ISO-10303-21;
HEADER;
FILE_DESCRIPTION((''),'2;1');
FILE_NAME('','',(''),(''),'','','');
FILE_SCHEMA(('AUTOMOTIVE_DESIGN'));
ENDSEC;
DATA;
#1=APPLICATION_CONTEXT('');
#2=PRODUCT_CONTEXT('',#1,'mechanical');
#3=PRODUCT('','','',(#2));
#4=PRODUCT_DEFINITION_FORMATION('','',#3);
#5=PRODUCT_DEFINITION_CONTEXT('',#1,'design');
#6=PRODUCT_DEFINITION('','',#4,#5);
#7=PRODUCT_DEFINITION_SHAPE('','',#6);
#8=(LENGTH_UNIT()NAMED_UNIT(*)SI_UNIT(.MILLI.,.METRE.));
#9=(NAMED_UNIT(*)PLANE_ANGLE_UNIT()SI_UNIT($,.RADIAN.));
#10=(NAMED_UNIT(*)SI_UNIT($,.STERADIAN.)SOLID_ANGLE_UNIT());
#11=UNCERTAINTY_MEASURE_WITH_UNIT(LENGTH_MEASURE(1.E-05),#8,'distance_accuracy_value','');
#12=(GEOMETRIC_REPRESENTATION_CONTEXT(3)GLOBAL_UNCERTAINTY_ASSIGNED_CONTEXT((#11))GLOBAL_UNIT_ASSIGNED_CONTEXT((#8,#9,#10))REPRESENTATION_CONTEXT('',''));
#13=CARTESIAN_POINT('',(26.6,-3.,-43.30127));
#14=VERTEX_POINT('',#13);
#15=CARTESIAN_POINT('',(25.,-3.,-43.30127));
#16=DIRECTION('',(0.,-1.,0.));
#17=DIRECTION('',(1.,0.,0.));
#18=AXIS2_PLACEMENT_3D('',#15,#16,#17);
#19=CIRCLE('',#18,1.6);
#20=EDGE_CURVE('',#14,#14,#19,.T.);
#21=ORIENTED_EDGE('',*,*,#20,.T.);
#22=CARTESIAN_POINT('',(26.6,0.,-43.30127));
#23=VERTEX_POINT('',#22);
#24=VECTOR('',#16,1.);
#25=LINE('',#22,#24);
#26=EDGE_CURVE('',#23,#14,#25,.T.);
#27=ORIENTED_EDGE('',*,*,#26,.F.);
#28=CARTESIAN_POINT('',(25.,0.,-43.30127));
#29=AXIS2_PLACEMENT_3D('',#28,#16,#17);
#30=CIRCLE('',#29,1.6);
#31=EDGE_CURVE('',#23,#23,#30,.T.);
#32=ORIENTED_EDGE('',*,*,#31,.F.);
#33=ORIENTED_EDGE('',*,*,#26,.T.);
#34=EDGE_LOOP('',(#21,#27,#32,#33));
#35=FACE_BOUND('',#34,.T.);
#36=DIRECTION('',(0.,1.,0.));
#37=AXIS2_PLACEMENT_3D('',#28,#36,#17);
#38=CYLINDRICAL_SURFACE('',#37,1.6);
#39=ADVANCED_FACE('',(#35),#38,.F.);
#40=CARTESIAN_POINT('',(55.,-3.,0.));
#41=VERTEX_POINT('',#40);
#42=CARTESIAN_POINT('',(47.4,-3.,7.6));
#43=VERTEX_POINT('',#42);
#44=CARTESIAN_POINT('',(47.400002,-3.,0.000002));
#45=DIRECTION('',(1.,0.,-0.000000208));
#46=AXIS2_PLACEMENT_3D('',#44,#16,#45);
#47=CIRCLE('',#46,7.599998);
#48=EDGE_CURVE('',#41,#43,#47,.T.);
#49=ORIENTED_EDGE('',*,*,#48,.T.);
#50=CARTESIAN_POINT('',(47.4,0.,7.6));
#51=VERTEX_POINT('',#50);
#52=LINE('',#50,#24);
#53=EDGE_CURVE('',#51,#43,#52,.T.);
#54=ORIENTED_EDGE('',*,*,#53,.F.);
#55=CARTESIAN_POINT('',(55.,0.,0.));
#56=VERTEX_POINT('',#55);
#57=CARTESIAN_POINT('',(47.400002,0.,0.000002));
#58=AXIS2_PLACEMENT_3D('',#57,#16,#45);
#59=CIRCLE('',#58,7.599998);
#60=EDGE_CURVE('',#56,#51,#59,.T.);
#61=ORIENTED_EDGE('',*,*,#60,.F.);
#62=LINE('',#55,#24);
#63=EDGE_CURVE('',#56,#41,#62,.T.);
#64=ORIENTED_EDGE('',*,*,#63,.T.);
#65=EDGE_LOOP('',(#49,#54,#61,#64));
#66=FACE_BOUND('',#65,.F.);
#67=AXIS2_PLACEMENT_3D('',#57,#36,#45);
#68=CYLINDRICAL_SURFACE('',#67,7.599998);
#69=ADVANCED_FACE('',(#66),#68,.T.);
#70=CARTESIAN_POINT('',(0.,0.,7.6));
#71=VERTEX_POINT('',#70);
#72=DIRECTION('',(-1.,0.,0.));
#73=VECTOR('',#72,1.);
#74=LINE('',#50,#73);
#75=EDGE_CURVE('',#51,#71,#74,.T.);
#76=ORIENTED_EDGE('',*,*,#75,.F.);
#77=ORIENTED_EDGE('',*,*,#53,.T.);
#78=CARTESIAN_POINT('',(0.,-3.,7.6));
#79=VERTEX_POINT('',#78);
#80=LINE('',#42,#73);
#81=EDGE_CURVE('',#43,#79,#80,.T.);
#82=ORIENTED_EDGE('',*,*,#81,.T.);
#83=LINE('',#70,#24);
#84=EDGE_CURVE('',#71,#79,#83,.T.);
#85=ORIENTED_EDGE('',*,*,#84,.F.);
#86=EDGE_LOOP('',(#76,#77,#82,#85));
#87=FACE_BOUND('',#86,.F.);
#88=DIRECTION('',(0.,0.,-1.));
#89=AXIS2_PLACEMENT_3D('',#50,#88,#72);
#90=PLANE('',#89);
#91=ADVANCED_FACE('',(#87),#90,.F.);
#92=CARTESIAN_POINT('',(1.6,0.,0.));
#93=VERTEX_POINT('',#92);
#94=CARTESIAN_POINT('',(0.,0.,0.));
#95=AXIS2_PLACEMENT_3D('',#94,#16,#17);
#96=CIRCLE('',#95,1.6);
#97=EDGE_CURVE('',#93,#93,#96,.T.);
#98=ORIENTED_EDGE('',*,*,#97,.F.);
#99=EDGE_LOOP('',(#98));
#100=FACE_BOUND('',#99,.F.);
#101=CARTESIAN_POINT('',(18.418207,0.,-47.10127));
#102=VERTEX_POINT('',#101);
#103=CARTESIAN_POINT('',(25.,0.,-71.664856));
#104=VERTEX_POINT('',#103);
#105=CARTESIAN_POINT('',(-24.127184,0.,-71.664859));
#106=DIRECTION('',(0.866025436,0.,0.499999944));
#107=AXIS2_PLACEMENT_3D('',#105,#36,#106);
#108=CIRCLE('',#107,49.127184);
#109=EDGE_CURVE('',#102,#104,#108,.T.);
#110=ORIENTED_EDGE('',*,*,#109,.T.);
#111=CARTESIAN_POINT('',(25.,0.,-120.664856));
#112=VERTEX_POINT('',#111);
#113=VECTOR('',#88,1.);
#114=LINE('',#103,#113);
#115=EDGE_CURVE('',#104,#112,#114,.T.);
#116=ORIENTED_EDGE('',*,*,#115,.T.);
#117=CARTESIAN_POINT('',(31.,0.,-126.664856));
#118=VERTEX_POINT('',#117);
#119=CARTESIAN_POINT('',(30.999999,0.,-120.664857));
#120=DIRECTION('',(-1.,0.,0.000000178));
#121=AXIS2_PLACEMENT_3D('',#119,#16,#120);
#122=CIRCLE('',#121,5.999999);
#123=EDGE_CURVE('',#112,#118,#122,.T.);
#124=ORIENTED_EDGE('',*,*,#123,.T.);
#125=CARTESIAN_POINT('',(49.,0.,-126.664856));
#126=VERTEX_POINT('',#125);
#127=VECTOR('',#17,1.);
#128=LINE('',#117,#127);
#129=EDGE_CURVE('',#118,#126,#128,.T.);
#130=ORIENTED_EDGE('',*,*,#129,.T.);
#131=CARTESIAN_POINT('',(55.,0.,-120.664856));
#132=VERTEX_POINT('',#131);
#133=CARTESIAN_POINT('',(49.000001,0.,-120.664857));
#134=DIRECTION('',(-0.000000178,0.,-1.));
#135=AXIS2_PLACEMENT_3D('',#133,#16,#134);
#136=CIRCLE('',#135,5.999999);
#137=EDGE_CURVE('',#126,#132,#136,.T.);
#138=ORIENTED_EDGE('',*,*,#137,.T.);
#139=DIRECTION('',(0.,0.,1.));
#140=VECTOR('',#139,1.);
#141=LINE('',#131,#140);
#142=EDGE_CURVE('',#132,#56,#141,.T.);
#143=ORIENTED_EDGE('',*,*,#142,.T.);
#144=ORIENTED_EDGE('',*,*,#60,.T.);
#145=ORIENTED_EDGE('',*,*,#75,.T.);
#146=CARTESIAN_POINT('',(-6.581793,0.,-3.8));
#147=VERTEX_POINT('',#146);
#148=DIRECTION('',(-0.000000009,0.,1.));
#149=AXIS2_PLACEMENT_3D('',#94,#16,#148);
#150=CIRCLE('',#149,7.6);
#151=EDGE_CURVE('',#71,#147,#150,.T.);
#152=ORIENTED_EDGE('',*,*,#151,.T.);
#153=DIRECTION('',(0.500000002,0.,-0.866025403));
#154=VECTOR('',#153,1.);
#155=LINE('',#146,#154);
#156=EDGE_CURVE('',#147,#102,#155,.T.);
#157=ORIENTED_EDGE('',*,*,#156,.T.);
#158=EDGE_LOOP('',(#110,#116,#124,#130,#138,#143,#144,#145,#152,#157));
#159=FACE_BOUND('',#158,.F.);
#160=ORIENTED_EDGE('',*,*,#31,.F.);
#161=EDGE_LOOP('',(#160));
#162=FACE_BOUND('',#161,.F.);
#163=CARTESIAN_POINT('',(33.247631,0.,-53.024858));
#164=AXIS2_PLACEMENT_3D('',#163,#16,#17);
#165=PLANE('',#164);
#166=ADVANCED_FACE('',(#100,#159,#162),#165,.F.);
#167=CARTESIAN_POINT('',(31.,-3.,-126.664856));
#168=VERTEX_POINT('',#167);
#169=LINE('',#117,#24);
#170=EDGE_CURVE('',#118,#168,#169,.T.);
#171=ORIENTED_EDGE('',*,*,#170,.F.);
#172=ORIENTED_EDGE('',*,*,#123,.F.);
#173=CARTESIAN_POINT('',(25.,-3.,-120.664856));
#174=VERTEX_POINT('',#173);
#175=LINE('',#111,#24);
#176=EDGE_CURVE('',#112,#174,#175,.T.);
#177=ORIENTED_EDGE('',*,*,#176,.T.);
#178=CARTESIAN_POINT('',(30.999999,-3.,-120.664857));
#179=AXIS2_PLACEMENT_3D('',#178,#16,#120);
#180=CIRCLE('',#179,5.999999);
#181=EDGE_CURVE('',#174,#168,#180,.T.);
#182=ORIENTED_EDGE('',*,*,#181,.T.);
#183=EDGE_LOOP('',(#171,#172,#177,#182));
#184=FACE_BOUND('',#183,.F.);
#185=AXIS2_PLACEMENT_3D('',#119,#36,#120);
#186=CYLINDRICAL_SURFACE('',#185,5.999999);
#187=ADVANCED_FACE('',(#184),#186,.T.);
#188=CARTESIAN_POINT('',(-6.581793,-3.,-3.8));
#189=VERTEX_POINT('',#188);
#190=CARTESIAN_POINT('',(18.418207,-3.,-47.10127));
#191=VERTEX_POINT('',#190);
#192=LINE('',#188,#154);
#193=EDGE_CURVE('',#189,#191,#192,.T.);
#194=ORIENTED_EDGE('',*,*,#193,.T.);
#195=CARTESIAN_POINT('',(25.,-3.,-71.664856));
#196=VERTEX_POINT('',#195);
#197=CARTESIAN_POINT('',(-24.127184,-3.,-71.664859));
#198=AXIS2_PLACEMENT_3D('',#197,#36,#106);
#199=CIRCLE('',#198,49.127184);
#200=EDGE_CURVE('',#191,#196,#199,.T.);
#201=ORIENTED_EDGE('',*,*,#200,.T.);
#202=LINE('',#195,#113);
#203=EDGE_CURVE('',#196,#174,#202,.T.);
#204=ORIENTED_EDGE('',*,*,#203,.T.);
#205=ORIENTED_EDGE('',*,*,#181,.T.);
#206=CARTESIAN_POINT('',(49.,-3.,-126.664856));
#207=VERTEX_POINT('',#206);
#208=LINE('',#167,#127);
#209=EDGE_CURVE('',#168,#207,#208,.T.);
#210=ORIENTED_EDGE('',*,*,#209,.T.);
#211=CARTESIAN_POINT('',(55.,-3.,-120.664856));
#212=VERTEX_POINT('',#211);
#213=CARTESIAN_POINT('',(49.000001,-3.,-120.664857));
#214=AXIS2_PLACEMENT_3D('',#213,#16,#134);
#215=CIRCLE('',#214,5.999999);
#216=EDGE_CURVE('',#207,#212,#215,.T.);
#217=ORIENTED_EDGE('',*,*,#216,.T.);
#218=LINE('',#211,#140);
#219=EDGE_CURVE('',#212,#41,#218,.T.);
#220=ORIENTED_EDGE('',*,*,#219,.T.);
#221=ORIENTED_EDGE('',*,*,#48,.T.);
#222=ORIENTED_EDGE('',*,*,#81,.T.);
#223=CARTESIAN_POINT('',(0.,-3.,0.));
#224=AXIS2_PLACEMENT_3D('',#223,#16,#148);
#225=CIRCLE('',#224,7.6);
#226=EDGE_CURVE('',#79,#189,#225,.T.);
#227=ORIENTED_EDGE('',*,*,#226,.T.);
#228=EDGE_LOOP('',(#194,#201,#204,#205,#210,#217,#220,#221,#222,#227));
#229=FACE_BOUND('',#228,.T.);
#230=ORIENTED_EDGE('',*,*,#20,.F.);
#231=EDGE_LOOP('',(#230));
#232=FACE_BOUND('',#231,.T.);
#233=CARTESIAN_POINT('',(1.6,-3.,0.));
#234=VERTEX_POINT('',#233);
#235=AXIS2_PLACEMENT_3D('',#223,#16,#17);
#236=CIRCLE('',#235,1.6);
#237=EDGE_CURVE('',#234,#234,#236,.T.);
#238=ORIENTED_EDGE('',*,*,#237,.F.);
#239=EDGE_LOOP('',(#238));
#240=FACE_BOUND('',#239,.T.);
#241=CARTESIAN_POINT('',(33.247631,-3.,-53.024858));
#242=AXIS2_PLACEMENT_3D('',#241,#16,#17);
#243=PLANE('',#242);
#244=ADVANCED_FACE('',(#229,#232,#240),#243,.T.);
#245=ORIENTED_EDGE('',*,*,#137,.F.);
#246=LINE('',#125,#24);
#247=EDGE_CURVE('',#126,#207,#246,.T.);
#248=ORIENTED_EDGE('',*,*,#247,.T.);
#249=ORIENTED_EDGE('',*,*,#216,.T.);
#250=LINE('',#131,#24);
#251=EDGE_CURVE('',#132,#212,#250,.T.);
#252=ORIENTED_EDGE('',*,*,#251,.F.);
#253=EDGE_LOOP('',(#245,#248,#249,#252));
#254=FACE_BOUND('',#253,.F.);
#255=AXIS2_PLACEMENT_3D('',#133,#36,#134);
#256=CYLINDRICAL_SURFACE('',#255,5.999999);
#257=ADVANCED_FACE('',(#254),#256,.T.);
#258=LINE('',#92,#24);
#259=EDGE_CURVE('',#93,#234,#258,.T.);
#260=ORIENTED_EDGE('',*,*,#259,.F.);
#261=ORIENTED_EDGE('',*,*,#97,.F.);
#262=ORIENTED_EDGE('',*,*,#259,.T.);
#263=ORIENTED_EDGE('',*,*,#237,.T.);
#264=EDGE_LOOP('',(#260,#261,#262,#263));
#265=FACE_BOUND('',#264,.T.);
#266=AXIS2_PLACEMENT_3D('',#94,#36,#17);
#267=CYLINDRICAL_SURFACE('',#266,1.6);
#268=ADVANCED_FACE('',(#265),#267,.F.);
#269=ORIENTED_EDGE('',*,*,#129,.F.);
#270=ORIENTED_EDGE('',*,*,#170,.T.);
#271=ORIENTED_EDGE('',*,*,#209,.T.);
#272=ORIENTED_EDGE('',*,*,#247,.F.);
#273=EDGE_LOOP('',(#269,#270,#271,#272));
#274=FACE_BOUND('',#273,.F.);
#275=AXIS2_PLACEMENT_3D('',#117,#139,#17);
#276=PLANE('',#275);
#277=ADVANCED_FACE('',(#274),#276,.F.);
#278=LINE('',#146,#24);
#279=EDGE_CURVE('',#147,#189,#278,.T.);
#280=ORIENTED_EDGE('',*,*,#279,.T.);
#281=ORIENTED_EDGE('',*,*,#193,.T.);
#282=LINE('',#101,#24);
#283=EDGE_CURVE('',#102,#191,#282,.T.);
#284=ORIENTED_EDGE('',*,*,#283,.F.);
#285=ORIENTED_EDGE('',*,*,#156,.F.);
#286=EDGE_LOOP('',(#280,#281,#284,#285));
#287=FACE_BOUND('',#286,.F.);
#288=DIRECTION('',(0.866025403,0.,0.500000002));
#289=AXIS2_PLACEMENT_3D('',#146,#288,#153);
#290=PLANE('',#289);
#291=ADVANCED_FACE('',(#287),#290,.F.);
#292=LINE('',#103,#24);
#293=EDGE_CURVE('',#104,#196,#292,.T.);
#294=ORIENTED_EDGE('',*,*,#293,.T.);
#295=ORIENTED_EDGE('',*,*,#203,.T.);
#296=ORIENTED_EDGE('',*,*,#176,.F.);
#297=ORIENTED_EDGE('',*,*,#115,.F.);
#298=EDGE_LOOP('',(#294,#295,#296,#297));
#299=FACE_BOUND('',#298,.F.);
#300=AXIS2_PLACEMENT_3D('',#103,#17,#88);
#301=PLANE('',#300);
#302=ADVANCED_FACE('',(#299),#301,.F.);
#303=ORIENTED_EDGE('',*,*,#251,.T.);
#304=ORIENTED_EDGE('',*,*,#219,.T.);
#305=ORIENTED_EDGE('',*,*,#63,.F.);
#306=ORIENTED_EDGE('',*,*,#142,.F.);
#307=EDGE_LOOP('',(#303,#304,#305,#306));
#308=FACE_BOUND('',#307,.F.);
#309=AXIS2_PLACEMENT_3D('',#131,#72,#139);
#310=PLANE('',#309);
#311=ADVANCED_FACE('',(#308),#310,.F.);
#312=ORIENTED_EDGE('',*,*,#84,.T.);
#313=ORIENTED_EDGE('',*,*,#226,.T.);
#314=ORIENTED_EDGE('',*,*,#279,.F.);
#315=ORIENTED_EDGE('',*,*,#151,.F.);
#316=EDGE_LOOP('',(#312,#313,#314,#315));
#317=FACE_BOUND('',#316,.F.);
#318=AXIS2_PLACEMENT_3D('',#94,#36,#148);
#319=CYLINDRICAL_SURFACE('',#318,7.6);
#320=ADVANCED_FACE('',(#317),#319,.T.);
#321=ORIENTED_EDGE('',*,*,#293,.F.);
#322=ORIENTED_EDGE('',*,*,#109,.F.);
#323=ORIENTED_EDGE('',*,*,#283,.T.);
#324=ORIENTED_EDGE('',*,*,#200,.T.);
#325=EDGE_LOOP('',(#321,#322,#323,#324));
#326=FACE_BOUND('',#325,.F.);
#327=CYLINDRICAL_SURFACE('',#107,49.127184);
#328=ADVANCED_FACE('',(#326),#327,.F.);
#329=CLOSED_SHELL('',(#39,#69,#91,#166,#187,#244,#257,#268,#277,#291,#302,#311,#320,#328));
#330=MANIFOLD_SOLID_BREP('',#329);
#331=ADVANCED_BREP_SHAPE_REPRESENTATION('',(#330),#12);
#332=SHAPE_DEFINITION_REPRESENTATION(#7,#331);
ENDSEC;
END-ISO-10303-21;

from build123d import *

# Parameters (mm, degrees)
F0_R     = 1.6
F1_DEPTH = 3


with BuildPart() as f1:
    # F0 (on Front) → F1 (new body)
    with BuildSketch(Plane.XZ):
        with BuildLine():
            Line((47.4, 7.6), (0, 7.6))
            ThreePointArc((0, 7.6), (-6.581793, 3.8), (-6.581793, -3.8))
            Line((-6.581793, -3.8), (18.418207, -47.10127))
            ThreePointArc((18.418207, -47.10127), (23.326032, -58.949809), (25, -71.664856))
            Line((25, -71.664856), (25, -120.664856))
            ThreePointArc((25, -120.664856), (26.757359, -124.907497), (31, -126.664856))
            Line((31, -126.664856), (49, -126.664856))
            ThreePointArc((49, -126.664856), (53.242641, -124.907497), (55, -120.664856))
            Line((55, -120.664856), (55, 0))
            ThreePointArc((55, 0), (52.774012, 5.374012), (47.4, 7.6))
        make_face()
        Circle(F0_R, mode=Mode.SUBTRACT)
        with Locations((25, -43.30127)):
            Circle(F0_R, mode=Mode.SUBTRACT)
    extrude(amount=F1_DEPTH)


solid = f1.part
